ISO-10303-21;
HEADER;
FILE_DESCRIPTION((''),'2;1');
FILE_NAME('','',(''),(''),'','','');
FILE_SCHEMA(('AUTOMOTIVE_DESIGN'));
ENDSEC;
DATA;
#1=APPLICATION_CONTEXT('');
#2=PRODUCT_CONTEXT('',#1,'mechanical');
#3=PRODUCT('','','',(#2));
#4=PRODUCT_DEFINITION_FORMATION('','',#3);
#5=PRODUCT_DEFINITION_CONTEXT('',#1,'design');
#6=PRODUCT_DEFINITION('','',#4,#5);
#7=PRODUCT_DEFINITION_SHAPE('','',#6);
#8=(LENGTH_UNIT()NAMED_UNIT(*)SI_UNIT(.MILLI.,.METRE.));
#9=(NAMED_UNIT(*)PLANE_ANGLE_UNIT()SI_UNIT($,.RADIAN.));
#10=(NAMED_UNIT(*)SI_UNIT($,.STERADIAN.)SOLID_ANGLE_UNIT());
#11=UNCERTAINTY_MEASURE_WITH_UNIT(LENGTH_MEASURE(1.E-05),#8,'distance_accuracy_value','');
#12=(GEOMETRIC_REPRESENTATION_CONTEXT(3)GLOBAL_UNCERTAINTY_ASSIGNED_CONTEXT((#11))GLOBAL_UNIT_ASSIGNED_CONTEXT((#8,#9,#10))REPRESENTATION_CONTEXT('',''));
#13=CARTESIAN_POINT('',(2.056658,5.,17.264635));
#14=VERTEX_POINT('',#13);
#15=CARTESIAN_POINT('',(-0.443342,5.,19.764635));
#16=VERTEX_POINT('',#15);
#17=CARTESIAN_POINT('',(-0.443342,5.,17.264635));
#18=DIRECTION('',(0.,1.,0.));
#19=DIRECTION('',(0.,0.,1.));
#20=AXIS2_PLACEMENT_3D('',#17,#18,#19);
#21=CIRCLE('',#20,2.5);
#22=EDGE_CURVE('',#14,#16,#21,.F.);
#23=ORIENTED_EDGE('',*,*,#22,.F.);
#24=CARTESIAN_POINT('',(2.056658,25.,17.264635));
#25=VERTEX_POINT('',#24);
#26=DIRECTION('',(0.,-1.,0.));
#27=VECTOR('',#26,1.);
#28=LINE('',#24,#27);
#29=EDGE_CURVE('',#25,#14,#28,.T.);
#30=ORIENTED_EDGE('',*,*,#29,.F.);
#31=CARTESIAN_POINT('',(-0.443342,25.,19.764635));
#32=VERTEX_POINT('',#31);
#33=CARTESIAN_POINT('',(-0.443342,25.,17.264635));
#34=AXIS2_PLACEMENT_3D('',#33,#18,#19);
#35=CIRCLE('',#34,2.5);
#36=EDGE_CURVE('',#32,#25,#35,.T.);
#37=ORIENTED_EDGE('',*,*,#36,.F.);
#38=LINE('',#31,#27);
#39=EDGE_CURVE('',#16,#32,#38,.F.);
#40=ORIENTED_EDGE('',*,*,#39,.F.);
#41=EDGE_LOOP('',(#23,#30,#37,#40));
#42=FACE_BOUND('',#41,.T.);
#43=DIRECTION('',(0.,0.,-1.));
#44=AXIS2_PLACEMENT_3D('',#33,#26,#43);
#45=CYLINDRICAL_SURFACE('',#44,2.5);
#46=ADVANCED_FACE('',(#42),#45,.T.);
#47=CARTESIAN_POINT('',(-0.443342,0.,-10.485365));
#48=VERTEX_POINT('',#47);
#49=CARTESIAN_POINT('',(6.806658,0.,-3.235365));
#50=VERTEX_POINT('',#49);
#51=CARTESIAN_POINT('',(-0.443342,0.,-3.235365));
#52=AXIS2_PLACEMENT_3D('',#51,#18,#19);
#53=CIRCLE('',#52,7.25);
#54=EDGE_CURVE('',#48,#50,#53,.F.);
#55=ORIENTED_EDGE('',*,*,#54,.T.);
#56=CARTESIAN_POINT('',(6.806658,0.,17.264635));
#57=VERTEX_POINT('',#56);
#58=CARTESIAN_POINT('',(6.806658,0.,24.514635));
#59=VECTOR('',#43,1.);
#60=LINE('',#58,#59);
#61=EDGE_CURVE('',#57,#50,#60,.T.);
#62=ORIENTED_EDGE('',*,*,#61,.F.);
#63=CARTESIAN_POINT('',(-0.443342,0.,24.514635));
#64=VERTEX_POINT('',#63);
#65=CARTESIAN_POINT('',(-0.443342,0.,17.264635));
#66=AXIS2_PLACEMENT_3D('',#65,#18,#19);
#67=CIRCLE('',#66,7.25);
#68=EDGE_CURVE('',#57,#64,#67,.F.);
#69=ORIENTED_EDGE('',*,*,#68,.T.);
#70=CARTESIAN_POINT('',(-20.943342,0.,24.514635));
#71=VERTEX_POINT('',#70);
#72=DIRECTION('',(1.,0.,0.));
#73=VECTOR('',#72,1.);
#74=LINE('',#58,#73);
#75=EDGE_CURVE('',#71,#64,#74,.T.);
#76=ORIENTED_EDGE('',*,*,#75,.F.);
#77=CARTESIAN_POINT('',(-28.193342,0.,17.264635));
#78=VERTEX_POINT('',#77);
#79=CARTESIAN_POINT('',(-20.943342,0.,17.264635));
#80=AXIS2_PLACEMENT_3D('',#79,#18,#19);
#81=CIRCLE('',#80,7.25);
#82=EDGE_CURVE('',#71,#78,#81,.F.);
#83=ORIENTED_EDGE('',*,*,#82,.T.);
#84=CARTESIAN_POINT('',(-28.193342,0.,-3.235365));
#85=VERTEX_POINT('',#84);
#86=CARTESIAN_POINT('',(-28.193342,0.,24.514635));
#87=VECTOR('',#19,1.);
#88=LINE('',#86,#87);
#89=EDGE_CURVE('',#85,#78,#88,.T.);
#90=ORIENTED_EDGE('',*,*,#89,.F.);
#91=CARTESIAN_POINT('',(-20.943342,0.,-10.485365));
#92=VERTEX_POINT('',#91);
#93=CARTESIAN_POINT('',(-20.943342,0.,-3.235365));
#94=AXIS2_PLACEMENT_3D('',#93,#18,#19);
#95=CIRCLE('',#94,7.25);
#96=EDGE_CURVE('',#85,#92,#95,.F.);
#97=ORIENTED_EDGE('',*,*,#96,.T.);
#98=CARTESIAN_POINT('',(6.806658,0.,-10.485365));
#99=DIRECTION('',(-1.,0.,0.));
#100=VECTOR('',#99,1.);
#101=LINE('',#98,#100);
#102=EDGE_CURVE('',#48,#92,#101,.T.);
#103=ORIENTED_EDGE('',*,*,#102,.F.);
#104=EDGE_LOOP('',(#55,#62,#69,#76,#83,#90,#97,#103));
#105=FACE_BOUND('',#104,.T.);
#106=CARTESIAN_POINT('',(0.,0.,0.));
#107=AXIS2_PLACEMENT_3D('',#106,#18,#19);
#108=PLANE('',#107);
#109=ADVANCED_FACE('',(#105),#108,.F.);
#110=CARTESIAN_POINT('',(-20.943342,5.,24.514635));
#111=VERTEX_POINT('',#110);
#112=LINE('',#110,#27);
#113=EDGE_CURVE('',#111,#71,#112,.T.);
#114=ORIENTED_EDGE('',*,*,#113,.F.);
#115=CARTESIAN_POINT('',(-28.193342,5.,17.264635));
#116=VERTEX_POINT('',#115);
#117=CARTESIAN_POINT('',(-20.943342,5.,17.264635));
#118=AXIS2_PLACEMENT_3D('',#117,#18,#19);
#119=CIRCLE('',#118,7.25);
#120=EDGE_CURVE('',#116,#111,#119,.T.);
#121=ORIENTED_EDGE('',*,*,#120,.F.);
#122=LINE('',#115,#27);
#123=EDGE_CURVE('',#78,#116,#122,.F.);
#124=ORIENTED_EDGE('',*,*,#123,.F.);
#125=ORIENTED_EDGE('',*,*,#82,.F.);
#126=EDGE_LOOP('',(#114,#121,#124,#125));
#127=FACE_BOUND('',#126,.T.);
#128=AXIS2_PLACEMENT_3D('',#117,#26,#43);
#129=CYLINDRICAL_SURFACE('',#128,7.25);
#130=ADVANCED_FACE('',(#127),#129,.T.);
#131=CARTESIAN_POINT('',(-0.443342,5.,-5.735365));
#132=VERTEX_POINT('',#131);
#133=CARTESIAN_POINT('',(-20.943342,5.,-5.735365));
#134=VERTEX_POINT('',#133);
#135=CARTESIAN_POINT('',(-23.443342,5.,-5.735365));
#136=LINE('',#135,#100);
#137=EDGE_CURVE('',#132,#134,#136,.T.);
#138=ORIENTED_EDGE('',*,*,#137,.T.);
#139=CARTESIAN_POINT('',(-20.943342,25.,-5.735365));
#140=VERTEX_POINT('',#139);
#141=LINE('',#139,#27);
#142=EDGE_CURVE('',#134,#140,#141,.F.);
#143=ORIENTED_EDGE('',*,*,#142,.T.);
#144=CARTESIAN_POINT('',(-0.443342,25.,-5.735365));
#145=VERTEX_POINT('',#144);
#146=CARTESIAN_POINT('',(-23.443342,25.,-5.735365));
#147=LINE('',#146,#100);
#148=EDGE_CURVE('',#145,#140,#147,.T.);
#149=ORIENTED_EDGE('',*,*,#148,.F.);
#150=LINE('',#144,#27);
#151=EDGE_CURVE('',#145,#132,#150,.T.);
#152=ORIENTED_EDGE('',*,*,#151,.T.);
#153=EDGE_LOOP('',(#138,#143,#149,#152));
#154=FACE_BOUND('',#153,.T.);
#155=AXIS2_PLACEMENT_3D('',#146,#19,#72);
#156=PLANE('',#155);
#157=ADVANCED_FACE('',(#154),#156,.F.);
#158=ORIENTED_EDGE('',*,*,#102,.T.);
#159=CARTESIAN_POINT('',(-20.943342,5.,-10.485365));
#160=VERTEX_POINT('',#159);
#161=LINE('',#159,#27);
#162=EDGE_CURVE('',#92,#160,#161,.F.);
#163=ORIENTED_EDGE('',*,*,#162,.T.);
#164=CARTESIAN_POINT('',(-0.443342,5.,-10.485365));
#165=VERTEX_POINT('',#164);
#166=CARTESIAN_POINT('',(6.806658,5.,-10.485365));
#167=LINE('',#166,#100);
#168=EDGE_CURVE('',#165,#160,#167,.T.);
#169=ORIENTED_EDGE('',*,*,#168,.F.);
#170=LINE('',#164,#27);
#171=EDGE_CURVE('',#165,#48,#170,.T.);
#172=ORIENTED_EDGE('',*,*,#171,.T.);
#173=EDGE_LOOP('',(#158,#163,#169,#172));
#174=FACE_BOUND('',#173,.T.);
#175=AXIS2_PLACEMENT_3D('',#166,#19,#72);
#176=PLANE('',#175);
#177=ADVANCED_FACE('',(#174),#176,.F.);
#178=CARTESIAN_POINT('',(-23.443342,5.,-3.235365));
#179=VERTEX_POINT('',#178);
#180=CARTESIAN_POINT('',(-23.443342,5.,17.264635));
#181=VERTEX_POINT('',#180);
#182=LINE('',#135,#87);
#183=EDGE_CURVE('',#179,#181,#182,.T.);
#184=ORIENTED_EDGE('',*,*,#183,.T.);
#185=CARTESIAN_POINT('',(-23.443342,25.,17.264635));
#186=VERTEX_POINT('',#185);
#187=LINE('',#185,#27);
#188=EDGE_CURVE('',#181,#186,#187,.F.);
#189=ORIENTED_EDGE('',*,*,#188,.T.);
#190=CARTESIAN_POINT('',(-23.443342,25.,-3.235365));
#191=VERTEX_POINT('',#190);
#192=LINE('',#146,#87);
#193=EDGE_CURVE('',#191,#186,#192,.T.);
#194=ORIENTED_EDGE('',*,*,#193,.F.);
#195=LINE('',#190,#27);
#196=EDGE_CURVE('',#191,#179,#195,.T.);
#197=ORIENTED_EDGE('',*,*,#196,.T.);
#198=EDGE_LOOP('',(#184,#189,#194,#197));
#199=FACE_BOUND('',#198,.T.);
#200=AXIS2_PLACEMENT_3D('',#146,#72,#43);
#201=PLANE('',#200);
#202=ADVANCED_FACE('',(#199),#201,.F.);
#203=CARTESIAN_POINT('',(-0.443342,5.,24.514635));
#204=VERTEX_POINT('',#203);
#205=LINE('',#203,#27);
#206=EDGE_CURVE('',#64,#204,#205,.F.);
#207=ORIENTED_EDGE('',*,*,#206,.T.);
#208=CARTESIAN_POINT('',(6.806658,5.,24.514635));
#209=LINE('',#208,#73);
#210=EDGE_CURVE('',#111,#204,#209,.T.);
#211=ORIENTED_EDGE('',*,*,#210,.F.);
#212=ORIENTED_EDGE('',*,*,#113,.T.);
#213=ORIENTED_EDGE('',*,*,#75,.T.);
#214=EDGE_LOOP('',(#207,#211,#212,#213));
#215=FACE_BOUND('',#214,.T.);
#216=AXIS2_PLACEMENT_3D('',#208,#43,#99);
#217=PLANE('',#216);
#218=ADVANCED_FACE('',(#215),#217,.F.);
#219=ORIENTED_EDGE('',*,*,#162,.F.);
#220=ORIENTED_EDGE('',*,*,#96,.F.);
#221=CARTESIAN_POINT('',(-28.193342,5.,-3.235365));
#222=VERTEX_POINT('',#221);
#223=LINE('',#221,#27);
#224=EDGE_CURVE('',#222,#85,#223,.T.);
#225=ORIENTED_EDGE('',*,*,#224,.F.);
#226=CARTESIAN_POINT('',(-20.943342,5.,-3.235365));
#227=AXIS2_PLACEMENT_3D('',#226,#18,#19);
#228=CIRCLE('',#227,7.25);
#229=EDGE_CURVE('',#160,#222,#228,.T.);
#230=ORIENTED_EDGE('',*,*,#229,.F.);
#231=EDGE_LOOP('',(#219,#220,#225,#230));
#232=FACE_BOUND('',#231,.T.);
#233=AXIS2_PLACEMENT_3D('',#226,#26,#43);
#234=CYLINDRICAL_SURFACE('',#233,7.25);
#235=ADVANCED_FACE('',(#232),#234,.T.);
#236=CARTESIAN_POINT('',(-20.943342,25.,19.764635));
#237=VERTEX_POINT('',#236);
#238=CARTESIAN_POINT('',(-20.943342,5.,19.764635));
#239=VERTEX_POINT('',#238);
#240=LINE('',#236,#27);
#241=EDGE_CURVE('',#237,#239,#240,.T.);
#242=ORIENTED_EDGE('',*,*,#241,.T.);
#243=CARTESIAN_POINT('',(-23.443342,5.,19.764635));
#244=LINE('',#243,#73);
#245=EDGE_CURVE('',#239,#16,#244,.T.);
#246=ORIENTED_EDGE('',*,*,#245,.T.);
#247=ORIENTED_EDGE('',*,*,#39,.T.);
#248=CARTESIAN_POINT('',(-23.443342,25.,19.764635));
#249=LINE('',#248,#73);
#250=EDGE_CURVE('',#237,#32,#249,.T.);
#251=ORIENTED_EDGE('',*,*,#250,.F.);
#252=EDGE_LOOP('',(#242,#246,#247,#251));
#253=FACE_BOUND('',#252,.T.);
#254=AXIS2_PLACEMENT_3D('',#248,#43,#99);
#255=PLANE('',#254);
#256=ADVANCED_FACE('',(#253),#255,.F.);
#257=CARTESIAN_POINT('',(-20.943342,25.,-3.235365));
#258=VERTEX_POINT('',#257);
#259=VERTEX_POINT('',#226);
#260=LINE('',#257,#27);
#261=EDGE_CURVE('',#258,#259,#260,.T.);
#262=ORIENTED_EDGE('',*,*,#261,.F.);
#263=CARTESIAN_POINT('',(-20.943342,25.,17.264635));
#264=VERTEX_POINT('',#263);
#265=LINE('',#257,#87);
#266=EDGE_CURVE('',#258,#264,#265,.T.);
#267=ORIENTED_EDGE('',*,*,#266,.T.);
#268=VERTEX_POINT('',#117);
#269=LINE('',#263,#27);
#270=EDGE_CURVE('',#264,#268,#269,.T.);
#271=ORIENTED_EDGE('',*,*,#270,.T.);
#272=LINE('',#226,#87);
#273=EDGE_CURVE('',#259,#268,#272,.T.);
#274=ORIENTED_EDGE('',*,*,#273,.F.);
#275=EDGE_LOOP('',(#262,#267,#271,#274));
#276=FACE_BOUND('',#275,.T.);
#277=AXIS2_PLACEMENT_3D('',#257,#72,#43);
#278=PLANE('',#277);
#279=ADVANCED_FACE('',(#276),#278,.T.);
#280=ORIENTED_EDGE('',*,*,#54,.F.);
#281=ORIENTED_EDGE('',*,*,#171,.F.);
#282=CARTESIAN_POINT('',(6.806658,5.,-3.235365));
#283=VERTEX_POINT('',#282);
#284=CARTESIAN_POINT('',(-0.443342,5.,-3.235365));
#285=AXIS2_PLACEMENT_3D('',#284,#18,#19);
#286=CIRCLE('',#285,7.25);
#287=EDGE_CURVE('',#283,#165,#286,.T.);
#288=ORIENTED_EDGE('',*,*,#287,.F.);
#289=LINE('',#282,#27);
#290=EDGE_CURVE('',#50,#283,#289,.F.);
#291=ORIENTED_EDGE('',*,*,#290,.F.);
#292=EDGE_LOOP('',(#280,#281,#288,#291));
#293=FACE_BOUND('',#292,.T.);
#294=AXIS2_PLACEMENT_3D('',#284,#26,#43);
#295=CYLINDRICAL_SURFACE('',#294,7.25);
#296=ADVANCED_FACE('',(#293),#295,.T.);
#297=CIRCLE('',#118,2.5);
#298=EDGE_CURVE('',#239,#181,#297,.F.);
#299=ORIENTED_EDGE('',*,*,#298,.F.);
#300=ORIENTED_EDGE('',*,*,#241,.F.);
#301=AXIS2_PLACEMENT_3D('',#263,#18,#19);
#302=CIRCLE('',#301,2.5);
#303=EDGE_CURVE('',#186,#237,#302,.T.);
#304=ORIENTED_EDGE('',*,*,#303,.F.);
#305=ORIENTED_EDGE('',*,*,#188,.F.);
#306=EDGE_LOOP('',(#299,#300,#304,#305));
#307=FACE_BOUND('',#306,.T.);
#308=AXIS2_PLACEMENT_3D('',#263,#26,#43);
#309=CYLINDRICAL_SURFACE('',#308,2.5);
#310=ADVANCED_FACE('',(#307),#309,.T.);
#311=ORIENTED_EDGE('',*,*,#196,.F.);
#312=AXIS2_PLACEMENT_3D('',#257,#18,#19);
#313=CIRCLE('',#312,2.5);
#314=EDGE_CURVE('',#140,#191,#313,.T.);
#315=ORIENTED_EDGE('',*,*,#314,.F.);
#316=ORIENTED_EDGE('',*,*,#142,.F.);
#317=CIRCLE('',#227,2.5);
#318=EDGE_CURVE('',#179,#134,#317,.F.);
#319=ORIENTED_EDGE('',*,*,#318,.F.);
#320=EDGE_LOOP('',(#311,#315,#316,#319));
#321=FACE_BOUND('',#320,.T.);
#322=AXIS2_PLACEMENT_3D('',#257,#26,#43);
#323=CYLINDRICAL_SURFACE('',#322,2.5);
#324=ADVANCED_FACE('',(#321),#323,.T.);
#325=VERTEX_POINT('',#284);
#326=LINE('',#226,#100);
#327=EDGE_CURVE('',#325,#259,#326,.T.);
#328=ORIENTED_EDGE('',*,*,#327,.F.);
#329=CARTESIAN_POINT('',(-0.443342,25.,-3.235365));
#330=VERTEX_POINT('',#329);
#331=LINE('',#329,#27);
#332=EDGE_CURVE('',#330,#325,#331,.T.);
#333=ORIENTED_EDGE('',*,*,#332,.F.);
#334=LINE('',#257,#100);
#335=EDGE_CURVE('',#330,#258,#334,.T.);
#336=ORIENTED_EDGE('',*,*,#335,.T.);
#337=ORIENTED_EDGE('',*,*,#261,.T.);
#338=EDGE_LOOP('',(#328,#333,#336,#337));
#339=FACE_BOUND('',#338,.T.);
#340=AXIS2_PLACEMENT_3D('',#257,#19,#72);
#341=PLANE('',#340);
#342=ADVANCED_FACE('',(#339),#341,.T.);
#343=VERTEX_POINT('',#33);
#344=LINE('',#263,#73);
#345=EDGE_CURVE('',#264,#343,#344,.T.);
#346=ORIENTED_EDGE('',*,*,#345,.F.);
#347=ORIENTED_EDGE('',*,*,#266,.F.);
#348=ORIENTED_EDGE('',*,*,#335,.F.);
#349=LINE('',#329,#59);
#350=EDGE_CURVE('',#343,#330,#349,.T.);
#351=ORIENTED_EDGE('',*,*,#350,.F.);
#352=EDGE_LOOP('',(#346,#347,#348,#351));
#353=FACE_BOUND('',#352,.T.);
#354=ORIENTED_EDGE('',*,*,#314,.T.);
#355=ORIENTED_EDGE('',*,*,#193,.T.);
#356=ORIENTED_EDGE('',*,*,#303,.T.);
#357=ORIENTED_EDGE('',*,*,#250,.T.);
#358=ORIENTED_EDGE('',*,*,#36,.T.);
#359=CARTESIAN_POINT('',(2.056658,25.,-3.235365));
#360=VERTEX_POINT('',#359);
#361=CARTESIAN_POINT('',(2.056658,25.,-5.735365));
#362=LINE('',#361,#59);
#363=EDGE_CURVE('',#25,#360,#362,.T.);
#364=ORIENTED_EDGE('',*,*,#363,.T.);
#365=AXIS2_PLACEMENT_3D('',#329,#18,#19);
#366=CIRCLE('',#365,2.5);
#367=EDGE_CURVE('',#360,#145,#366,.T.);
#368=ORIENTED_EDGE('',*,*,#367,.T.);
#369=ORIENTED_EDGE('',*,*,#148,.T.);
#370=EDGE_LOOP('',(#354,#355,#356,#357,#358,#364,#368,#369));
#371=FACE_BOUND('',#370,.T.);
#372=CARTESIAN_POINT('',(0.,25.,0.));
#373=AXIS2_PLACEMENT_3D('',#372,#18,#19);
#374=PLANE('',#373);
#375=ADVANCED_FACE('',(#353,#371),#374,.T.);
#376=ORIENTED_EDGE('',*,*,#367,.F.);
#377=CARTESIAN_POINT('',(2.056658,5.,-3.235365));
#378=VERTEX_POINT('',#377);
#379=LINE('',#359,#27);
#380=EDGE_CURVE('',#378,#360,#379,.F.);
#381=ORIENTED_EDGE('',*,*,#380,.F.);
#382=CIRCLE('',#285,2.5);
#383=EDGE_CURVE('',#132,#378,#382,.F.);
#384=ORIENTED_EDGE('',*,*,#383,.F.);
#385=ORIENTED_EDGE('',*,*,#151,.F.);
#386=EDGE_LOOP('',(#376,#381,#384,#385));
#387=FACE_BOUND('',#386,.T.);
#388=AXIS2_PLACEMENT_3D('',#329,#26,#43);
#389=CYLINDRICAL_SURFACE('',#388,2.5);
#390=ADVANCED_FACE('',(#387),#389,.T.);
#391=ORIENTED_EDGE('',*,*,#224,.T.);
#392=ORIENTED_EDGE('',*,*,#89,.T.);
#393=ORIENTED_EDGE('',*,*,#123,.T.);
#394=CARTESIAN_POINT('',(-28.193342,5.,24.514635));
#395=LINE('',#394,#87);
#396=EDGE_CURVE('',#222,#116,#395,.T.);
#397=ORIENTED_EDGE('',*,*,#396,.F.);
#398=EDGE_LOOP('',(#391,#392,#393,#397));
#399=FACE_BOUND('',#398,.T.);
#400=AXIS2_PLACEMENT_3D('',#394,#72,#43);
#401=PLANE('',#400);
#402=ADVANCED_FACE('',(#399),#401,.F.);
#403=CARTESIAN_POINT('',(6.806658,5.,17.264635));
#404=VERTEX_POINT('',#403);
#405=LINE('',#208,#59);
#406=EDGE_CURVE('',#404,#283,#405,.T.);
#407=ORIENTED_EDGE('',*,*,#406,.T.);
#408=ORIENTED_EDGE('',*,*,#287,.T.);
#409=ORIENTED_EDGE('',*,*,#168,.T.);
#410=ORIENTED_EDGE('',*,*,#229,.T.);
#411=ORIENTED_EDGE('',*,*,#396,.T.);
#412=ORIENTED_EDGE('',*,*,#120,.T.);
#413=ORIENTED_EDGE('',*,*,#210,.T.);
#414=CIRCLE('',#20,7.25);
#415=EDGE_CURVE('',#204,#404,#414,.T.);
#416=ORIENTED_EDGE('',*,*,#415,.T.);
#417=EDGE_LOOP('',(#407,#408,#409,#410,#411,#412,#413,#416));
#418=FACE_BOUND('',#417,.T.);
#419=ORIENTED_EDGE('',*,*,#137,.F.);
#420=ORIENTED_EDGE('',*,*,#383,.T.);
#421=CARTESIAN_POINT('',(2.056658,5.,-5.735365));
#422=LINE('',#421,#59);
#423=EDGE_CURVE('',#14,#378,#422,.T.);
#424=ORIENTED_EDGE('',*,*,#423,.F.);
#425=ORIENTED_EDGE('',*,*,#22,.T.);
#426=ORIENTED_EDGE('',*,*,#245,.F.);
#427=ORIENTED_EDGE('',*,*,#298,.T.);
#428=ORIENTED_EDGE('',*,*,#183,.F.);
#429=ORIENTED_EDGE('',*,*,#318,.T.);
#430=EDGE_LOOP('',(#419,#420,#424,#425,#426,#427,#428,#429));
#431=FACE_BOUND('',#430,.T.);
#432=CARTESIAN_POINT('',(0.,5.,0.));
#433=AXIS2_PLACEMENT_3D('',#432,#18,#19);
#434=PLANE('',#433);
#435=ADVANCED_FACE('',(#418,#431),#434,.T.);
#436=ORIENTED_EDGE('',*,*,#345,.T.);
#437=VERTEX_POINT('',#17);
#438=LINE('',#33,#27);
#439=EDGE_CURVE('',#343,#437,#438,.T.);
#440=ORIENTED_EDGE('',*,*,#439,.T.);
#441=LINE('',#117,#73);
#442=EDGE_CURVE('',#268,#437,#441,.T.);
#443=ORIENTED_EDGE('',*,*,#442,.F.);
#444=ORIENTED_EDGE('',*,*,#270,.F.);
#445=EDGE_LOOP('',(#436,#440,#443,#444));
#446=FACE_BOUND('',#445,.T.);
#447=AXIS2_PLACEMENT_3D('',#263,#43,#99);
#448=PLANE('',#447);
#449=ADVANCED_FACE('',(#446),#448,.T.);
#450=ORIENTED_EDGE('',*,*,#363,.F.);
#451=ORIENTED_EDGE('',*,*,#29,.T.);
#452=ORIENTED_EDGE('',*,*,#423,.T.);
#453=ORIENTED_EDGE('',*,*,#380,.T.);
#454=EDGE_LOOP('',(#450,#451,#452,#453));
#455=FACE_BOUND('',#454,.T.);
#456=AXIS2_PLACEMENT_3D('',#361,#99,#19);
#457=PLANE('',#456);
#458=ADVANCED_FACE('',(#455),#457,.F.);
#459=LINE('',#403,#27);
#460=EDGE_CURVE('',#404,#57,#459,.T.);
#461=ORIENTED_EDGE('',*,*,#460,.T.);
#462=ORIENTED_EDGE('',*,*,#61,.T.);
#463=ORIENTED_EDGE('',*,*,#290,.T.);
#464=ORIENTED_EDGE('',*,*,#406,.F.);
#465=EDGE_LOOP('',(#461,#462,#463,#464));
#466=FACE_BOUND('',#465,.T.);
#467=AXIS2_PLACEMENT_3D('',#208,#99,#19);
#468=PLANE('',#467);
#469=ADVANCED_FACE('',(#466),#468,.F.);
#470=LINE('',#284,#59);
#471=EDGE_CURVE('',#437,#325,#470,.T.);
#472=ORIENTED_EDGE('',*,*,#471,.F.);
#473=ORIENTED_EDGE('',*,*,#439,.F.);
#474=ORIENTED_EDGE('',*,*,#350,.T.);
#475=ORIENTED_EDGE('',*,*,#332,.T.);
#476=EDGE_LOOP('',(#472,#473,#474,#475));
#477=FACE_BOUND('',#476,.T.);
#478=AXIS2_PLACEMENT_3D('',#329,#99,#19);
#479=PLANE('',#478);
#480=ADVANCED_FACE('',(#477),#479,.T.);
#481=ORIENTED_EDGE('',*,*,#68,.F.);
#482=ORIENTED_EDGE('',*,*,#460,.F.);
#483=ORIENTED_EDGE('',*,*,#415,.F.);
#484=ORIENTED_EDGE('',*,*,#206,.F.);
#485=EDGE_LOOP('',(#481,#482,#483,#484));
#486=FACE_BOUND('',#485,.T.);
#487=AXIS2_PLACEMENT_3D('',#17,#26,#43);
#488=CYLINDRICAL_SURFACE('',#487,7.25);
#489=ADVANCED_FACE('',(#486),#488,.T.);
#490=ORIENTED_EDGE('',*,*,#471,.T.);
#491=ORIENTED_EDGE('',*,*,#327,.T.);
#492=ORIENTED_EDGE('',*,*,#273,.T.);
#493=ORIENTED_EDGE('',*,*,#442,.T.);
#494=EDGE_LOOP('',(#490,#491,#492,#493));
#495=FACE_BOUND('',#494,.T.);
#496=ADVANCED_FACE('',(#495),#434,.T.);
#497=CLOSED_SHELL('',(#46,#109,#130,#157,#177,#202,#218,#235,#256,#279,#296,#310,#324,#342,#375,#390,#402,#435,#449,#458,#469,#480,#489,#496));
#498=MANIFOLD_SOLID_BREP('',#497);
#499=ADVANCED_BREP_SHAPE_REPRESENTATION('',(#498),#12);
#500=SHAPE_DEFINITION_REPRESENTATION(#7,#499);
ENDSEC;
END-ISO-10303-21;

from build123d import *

# Parameters (mm, degrees)
SKETCH1_W           = 35
SKETCH1_H           = 35
BOSS_EXTRUDE1_DEPTH = 5
SKETCH2_W           = 25.5
SKETCH2_H           = 25.5
SKETCH2_W_2         = 20.5
SKETCH2_H_2         = 20.5
BOSS_EXTRUDE2_DEPTH = 20
FILLET1_R           = 7.25
FILLET2_R           = 2.5


with BuildPart() as part:
    # Sketch1 → Boss-Extrude1 (new body)
    with BuildSketch(Plane(origin=(0, 0, 0), x_dir=(1, 0, 0), z_dir=(0, 1, 0))):
        with Locations((-10.693342281, -7.01463487)):
            Rectangle(SKETCH1_W, SKETCH1_H)
    extrude(amount=BOSS_EXTRUDE1_DEPTH)

    # Sketch2 → Boss-Extrude2 (add)
    with BuildSketch(Plane(origin=(0, 5, 0), x_dir=(1, 0, 0), z_dir=(0, 1, 0))):
        with Locations((-10.693342281, -7.01463487)):
            Rectangle(SKETCH2_W, SKETCH2_H)
        with Locations((-10.693342281, -7.01463487)):
            Rectangle(SKETCH2_W_2, SKETCH2_H_2, mode=Mode.SUBTRACT)
    extrude(amount=BOSS_EXTRUDE2_DEPTH)

    # Fillet1
    fillet1_edges = [part.edges().sort_by_distance(p)[0] for p in [
        (6.806657719, 2.5, 24.51463487),
        (-28.193342281, 2.5, 24.51463487),
        (-28.193342281, 2.5, -10.48536513),
        (6.806657719, 2.5, -10.48536513),
    ]]
    fillet(fillet1_edges, radius=FILLET1_R)

    # Fillet2
    fillet2_edges = [part.edges().sort_by_distance(p)[0] for p in [
        (-23.443342281, 15, -5.73536513),
        (-23.443342281, 15, 19.76463487),
        (2.056657719, 15, 19.76463487),
        (2.056657719, 15, -5.73536513),
    ]]
    fillet(fillet2_edges, radius=FILLET2_R)


solid = part.part
